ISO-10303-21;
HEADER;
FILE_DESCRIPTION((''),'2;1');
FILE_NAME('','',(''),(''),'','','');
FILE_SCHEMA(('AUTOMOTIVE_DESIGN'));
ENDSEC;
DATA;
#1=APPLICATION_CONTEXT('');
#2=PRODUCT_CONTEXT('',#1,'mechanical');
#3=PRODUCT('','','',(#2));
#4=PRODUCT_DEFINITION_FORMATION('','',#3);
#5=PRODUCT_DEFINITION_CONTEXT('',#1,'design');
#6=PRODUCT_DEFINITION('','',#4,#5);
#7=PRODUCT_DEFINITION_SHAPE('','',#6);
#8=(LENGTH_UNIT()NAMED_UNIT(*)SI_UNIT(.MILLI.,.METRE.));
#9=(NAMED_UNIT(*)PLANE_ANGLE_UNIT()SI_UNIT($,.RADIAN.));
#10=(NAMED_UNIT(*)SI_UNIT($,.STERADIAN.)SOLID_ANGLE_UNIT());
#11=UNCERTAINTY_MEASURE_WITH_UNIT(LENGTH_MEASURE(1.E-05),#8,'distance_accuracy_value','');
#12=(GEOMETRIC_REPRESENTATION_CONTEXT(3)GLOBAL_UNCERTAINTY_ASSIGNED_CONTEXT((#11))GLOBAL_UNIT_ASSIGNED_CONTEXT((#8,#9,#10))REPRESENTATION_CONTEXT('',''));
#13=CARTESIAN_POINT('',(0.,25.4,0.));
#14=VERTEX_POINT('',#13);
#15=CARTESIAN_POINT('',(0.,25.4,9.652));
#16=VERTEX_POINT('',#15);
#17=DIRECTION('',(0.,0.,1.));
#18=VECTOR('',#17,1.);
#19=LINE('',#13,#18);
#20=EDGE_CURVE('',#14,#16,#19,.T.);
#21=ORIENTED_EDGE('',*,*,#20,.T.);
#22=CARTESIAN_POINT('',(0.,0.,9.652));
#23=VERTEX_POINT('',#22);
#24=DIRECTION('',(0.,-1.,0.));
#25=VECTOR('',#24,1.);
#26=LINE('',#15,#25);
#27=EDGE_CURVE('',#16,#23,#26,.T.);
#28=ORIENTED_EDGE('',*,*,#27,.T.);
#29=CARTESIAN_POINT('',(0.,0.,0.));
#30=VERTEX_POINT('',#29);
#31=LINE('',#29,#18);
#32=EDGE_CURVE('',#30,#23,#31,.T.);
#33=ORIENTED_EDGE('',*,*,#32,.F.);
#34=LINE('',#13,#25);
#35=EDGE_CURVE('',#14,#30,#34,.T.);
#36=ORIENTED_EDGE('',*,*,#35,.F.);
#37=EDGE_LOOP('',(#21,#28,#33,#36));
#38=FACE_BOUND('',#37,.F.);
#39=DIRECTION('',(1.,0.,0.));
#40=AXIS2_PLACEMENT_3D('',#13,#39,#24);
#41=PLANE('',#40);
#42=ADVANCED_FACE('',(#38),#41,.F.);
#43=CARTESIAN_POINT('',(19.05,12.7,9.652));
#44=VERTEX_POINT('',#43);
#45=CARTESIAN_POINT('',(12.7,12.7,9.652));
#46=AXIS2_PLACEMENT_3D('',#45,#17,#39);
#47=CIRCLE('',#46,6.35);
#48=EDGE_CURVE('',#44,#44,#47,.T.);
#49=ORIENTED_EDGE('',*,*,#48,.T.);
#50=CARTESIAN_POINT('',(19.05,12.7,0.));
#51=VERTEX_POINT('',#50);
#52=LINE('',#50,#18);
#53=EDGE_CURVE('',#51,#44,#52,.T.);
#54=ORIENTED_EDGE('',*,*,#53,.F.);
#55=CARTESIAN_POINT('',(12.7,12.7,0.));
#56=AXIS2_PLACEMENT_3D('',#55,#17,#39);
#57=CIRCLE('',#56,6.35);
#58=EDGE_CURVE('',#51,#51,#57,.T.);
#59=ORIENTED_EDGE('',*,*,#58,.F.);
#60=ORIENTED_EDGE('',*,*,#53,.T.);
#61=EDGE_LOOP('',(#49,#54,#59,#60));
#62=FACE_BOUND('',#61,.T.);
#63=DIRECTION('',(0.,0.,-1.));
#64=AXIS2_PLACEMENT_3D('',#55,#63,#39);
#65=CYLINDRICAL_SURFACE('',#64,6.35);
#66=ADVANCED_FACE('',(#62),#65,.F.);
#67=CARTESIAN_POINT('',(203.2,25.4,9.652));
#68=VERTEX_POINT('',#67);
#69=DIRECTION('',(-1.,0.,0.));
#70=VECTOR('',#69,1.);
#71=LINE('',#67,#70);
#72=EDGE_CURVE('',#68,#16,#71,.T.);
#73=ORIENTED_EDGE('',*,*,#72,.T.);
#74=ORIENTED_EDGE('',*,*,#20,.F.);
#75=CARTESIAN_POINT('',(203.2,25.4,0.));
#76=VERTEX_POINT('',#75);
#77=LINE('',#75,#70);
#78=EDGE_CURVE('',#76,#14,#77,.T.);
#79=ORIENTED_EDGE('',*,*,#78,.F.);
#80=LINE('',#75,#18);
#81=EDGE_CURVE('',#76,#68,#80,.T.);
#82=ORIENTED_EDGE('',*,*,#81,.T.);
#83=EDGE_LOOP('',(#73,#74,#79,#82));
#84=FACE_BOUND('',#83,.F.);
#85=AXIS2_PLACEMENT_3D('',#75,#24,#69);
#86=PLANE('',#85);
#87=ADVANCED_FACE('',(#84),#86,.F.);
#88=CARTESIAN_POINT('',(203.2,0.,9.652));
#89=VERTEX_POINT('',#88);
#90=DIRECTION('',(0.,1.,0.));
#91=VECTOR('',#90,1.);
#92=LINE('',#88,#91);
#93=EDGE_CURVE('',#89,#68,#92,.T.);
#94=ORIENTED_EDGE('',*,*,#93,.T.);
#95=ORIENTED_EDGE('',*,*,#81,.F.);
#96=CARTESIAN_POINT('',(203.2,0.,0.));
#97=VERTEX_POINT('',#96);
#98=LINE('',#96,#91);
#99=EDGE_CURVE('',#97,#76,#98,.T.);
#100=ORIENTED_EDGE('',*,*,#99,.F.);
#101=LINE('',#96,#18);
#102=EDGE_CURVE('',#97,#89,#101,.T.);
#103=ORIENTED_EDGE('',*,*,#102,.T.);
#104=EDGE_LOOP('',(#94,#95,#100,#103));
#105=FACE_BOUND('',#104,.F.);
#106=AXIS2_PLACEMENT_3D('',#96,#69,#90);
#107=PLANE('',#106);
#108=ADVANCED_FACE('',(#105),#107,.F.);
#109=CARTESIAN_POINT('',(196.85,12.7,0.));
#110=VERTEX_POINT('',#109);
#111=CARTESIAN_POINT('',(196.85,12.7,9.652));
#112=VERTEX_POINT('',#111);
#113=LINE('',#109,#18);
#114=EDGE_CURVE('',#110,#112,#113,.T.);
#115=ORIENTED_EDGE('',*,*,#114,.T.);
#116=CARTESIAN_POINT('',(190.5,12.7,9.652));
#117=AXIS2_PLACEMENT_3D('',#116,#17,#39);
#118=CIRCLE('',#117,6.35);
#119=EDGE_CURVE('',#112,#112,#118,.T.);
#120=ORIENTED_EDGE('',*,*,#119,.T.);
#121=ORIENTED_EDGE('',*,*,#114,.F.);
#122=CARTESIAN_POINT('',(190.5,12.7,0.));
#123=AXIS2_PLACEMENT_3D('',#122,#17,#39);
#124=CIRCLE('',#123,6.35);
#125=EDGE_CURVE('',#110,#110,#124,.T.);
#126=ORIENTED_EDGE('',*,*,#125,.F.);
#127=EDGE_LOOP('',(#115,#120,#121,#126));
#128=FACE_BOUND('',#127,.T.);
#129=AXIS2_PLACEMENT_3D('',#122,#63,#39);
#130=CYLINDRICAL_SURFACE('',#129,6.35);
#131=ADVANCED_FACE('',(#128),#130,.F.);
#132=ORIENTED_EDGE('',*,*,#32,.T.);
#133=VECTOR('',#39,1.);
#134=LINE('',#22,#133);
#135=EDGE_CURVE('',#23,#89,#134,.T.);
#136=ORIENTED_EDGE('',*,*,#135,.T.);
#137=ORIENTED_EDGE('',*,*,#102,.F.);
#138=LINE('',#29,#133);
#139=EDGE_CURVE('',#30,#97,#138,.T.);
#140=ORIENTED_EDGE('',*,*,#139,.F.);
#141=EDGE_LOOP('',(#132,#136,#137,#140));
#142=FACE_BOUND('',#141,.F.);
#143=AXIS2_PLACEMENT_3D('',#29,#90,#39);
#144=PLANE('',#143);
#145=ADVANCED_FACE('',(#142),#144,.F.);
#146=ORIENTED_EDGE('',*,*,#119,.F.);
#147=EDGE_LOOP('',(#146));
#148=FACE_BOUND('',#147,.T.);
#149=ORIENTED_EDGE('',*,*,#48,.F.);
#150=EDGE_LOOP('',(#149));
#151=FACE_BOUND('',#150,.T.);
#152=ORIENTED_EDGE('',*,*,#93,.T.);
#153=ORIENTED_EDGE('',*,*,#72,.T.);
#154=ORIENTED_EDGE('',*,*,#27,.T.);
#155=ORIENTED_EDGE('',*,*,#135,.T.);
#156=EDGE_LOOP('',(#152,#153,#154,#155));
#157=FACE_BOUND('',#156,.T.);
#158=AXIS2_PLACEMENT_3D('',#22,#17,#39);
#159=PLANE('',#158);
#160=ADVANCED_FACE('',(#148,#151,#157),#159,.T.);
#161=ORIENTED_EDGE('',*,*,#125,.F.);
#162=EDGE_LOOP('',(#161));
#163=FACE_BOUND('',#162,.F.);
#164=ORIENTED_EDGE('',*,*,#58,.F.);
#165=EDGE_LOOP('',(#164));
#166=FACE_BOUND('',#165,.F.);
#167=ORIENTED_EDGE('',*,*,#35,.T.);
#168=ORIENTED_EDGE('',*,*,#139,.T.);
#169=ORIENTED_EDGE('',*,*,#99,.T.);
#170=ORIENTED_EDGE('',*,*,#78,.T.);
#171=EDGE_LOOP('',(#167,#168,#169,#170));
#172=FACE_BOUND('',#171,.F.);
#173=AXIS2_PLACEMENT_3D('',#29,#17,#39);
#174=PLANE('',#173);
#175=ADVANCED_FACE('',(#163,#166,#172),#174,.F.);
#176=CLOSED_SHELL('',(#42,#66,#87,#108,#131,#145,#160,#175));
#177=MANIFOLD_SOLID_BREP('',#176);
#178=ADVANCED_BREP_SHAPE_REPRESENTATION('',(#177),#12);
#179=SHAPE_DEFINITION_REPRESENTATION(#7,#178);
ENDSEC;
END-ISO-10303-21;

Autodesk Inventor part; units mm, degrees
ref_plane "YZ Plane" through (0, 0, 0) normal (1, 0, 0) x (0, 1, 0)
ref_plane "XZ Plane" through (0, 0, 0) normal (0, 1, 0) x (-1, 0, 0)
ref_plane "XY Plane" through (0, 0, 0) normal (0, 0, 1) x (1, 0, 0)
sketch "Sketch1" plane through (0, 0, 0) normal (0, 0, 1) x (1, 0, 0)
  line L0 (0, 0) -> (203.2, 0)
  line L1 (203.2, 0) -> (203.2, 25.4)
  line L2 (203.2, 25.4) -> (0, 25.4)
  line L3 (0, 25.4) -> (0, 0)
  circle A0 centre (12.7, 12.7) radius 6.35
  circle A1 centre (190.5, 12.7) radius 6.35
  dimension "d0" = 203.2
  dimension "d1" = 25.4
  dimension "d2" = 12.7
  dimension "d3" = 12.7
  dimension "d4" = 12.7
  dimension "d5" = 12.7
  dimension "d9" = 12.7
  dimension "d10" = 12.7
extrude "Extrusion1" add sketch "Sketch1" along normal blind 9.652
equation "\"d2\" = 0.5 * d1"
equation "\"d3\" = d2"
equation "\"d4\" = d2"
equation "\"d5\" = d3"
properties part number "GE-12024"
